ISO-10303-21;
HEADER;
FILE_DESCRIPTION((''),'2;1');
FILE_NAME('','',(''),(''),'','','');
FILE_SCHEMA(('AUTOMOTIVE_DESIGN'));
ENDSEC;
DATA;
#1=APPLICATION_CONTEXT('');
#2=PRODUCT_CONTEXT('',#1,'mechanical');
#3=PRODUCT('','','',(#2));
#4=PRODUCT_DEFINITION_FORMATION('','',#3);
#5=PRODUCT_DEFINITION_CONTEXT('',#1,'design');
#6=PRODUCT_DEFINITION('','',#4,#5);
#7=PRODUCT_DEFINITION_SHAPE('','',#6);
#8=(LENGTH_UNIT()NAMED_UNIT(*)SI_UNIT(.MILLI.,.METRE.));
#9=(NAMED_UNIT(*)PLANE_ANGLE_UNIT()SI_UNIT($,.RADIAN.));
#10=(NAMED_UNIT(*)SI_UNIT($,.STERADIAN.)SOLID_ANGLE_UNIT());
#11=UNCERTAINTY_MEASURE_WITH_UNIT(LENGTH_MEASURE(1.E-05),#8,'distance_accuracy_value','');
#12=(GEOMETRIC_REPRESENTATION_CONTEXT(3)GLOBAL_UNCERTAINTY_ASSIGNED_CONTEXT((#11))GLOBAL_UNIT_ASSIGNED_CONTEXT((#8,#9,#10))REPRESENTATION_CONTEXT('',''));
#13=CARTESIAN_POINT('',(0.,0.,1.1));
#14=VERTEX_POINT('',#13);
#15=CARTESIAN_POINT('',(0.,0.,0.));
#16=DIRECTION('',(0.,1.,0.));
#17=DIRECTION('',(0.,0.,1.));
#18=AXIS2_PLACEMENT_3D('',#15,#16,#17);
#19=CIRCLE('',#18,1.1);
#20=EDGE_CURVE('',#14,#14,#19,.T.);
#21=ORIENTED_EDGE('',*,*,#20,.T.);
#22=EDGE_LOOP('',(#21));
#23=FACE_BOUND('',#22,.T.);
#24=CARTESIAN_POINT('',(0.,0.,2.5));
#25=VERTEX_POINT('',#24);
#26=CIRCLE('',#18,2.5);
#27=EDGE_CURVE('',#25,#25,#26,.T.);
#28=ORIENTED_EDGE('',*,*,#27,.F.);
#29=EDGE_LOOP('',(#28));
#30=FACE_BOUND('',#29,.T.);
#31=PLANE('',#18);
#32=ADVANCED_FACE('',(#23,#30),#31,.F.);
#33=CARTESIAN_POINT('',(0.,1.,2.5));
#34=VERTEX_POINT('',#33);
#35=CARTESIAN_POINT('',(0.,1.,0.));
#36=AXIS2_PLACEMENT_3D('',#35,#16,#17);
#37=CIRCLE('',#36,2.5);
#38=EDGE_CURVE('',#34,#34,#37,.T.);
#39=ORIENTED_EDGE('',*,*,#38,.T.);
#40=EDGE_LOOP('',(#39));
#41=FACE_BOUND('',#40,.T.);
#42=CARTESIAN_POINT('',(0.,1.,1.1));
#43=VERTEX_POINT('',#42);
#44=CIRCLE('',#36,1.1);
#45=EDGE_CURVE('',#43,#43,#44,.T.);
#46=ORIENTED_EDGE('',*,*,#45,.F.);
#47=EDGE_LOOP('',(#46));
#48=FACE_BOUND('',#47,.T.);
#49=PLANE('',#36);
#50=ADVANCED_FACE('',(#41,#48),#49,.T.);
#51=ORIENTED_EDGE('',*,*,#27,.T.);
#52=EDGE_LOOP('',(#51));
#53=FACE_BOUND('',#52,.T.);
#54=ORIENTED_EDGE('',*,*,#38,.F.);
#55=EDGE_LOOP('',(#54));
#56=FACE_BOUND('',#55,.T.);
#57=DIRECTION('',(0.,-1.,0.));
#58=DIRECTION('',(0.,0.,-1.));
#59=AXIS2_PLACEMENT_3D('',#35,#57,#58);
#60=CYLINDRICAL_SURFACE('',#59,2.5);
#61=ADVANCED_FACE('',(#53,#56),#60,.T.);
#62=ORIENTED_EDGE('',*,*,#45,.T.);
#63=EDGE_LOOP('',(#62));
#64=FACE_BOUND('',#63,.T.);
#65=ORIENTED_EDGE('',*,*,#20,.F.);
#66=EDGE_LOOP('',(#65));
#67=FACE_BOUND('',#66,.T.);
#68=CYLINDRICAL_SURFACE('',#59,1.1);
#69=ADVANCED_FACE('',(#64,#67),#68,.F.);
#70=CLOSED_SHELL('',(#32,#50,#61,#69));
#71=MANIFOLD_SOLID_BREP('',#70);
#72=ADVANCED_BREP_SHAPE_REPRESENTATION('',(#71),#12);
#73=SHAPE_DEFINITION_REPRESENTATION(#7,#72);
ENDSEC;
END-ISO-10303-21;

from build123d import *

# Parameters (mm, degrees)
SKETCH1_R           = 2.5
SKETCH1_R_2         = 1.1
BOSS_EXTRUDE1_DEPTH = 1


with BuildPart() as part:
    # Sketch1 → Boss-Extrude1 (new body)
    with BuildSketch(Plane(origin=(0, 0, 0), x_dir=(1, 0, 0), z_dir=(0, 1, 0))):
        with Locations(Location((0, 0, 0), (0, 0, 270))):
            Circle(SKETCH1_R)
        with Locations(Location((0, 0, 0), (0, 0, 270))):
            Circle(SKETCH1_R_2, mode=Mode.SUBTRACT)
    extrude(amount=BOSS_EXTRUDE1_DEPTH)


solid = part.part
